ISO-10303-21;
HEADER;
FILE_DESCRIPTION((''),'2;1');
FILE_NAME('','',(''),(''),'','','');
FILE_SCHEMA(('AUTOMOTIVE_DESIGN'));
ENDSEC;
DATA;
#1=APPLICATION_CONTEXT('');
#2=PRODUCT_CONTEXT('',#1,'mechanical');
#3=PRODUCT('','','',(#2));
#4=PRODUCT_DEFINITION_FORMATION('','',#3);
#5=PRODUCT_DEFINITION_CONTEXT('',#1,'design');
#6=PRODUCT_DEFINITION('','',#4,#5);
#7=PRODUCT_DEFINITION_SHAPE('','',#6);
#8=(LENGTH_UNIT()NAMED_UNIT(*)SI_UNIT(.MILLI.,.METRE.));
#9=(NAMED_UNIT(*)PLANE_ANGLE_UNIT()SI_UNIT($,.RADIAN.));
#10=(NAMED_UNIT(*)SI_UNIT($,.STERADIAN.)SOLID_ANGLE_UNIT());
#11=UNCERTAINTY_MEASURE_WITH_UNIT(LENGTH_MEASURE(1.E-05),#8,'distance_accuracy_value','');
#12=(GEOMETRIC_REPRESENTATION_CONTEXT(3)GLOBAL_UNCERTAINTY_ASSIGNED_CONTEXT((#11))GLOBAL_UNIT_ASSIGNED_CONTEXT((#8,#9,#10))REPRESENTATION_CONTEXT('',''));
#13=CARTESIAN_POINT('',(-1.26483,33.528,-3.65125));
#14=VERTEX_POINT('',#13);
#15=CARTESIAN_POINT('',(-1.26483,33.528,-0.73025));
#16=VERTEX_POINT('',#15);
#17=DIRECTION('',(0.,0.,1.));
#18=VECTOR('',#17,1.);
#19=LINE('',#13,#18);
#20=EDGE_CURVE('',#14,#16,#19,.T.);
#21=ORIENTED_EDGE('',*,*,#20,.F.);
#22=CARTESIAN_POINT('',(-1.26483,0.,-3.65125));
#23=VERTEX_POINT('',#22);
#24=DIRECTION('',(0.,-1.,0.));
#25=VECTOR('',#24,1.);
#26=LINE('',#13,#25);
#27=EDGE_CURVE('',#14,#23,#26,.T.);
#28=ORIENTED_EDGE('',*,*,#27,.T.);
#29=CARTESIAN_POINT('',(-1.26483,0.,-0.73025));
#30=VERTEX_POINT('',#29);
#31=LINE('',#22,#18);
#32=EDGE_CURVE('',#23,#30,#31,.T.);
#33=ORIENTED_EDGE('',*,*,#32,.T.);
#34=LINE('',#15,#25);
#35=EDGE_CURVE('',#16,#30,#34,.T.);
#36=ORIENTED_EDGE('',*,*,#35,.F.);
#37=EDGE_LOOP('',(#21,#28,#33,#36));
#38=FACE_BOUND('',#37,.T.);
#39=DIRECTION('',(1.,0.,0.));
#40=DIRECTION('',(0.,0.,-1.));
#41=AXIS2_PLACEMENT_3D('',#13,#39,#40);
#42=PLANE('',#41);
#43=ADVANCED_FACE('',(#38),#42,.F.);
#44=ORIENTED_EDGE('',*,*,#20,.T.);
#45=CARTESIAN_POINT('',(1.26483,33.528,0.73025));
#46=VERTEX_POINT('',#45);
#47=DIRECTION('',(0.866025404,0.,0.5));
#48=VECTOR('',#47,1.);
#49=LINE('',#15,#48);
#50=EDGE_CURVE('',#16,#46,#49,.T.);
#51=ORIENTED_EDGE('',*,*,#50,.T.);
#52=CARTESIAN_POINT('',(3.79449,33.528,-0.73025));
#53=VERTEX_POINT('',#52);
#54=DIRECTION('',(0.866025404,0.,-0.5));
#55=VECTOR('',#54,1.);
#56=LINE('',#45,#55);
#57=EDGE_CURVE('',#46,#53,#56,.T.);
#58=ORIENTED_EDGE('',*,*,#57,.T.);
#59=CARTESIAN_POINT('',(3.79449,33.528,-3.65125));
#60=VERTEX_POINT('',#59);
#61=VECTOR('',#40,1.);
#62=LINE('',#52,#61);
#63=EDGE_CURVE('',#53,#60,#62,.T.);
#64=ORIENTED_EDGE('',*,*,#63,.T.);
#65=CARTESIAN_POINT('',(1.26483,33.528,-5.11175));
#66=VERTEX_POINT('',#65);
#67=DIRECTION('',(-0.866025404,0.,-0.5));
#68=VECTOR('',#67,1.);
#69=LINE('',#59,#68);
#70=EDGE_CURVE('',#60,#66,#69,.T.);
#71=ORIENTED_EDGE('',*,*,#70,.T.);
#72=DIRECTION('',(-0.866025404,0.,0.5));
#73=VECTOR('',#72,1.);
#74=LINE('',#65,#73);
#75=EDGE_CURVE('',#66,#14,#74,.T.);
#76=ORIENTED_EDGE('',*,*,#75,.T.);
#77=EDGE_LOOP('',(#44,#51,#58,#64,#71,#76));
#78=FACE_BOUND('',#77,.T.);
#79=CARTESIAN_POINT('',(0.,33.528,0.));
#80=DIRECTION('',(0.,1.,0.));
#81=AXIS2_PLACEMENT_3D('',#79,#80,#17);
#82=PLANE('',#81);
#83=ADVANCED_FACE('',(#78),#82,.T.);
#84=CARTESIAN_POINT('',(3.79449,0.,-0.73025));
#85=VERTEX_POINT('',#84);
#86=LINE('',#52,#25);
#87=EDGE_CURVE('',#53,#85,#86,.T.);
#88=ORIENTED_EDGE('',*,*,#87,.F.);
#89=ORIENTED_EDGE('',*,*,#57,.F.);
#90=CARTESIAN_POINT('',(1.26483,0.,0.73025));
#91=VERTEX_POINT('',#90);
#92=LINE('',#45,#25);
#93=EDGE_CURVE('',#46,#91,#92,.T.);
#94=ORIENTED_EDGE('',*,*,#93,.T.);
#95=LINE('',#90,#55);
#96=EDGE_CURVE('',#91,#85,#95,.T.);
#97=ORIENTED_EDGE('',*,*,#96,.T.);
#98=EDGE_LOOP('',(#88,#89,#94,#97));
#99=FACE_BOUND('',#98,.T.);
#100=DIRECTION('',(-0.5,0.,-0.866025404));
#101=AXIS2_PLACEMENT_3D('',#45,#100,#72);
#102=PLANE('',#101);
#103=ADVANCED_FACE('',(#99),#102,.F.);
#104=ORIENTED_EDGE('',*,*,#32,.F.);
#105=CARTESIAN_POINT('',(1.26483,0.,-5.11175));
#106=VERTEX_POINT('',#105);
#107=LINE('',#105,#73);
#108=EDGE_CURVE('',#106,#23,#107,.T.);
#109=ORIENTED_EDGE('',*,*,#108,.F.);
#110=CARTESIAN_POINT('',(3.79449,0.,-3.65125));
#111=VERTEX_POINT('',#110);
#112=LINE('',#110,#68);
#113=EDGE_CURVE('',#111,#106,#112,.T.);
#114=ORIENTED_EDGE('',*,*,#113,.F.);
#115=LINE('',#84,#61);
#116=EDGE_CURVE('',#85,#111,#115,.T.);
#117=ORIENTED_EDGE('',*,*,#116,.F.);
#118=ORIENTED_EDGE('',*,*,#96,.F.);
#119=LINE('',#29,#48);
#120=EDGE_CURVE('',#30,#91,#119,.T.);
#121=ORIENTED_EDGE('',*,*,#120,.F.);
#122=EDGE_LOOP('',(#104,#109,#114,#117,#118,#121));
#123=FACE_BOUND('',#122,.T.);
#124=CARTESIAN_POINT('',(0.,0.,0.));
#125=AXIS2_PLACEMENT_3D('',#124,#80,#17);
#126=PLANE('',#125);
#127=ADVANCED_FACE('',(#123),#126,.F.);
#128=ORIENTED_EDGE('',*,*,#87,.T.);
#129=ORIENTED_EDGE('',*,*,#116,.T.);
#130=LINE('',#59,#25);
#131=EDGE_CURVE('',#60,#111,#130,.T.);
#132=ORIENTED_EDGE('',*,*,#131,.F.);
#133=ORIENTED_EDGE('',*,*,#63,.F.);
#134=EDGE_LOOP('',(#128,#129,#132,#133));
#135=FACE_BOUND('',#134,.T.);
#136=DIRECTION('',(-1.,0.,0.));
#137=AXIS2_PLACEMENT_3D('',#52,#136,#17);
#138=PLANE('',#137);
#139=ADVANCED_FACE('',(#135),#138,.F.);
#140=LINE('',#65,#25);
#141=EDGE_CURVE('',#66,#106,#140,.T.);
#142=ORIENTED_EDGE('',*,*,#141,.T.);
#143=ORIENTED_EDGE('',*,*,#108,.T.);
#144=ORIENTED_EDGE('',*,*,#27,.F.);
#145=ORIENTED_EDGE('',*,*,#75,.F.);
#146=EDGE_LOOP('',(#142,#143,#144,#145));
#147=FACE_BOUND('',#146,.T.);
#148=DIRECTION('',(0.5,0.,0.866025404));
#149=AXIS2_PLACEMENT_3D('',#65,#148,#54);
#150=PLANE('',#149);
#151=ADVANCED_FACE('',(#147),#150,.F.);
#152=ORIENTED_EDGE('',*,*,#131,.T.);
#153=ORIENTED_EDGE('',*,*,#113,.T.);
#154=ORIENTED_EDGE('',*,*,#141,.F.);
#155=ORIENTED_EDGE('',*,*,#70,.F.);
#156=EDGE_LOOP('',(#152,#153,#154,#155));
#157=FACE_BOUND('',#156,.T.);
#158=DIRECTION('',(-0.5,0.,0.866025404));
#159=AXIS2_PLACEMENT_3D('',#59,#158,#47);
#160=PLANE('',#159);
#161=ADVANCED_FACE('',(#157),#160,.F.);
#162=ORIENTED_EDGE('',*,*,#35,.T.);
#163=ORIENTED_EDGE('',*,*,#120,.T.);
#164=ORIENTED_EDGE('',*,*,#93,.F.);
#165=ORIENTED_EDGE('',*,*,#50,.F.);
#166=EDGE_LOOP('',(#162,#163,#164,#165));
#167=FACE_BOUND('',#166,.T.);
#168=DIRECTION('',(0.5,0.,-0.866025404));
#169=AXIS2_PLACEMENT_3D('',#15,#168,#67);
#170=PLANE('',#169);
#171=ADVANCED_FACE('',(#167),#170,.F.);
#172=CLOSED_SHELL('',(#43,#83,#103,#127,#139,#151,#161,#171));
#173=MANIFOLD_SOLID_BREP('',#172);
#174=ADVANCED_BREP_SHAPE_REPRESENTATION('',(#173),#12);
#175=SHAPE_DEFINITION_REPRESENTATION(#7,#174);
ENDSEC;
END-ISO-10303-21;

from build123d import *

# Parameters (mm, degrees)
BOSS_EXTRUDE1_DEPTH = 33.528


with BuildPart() as part:
    # Sketch1 → Boss-Extrude1 (new body)
    with BuildSketch(Plane(origin=(0, 0, 0), x_dir=(1, 0, 0), z_dir=(0, 1, 0))):
        Polygon((1.264830102, 5.11175), (-1.264830102, 3.65125), (-1.264830102, 0.73025), (1.264830102, -0.73025), (3.794490307, 0.73025), (3.794490307, 3.65125), align=None)
    extrude(amount=BOSS_EXTRUDE1_DEPTH)


solid = part.part
